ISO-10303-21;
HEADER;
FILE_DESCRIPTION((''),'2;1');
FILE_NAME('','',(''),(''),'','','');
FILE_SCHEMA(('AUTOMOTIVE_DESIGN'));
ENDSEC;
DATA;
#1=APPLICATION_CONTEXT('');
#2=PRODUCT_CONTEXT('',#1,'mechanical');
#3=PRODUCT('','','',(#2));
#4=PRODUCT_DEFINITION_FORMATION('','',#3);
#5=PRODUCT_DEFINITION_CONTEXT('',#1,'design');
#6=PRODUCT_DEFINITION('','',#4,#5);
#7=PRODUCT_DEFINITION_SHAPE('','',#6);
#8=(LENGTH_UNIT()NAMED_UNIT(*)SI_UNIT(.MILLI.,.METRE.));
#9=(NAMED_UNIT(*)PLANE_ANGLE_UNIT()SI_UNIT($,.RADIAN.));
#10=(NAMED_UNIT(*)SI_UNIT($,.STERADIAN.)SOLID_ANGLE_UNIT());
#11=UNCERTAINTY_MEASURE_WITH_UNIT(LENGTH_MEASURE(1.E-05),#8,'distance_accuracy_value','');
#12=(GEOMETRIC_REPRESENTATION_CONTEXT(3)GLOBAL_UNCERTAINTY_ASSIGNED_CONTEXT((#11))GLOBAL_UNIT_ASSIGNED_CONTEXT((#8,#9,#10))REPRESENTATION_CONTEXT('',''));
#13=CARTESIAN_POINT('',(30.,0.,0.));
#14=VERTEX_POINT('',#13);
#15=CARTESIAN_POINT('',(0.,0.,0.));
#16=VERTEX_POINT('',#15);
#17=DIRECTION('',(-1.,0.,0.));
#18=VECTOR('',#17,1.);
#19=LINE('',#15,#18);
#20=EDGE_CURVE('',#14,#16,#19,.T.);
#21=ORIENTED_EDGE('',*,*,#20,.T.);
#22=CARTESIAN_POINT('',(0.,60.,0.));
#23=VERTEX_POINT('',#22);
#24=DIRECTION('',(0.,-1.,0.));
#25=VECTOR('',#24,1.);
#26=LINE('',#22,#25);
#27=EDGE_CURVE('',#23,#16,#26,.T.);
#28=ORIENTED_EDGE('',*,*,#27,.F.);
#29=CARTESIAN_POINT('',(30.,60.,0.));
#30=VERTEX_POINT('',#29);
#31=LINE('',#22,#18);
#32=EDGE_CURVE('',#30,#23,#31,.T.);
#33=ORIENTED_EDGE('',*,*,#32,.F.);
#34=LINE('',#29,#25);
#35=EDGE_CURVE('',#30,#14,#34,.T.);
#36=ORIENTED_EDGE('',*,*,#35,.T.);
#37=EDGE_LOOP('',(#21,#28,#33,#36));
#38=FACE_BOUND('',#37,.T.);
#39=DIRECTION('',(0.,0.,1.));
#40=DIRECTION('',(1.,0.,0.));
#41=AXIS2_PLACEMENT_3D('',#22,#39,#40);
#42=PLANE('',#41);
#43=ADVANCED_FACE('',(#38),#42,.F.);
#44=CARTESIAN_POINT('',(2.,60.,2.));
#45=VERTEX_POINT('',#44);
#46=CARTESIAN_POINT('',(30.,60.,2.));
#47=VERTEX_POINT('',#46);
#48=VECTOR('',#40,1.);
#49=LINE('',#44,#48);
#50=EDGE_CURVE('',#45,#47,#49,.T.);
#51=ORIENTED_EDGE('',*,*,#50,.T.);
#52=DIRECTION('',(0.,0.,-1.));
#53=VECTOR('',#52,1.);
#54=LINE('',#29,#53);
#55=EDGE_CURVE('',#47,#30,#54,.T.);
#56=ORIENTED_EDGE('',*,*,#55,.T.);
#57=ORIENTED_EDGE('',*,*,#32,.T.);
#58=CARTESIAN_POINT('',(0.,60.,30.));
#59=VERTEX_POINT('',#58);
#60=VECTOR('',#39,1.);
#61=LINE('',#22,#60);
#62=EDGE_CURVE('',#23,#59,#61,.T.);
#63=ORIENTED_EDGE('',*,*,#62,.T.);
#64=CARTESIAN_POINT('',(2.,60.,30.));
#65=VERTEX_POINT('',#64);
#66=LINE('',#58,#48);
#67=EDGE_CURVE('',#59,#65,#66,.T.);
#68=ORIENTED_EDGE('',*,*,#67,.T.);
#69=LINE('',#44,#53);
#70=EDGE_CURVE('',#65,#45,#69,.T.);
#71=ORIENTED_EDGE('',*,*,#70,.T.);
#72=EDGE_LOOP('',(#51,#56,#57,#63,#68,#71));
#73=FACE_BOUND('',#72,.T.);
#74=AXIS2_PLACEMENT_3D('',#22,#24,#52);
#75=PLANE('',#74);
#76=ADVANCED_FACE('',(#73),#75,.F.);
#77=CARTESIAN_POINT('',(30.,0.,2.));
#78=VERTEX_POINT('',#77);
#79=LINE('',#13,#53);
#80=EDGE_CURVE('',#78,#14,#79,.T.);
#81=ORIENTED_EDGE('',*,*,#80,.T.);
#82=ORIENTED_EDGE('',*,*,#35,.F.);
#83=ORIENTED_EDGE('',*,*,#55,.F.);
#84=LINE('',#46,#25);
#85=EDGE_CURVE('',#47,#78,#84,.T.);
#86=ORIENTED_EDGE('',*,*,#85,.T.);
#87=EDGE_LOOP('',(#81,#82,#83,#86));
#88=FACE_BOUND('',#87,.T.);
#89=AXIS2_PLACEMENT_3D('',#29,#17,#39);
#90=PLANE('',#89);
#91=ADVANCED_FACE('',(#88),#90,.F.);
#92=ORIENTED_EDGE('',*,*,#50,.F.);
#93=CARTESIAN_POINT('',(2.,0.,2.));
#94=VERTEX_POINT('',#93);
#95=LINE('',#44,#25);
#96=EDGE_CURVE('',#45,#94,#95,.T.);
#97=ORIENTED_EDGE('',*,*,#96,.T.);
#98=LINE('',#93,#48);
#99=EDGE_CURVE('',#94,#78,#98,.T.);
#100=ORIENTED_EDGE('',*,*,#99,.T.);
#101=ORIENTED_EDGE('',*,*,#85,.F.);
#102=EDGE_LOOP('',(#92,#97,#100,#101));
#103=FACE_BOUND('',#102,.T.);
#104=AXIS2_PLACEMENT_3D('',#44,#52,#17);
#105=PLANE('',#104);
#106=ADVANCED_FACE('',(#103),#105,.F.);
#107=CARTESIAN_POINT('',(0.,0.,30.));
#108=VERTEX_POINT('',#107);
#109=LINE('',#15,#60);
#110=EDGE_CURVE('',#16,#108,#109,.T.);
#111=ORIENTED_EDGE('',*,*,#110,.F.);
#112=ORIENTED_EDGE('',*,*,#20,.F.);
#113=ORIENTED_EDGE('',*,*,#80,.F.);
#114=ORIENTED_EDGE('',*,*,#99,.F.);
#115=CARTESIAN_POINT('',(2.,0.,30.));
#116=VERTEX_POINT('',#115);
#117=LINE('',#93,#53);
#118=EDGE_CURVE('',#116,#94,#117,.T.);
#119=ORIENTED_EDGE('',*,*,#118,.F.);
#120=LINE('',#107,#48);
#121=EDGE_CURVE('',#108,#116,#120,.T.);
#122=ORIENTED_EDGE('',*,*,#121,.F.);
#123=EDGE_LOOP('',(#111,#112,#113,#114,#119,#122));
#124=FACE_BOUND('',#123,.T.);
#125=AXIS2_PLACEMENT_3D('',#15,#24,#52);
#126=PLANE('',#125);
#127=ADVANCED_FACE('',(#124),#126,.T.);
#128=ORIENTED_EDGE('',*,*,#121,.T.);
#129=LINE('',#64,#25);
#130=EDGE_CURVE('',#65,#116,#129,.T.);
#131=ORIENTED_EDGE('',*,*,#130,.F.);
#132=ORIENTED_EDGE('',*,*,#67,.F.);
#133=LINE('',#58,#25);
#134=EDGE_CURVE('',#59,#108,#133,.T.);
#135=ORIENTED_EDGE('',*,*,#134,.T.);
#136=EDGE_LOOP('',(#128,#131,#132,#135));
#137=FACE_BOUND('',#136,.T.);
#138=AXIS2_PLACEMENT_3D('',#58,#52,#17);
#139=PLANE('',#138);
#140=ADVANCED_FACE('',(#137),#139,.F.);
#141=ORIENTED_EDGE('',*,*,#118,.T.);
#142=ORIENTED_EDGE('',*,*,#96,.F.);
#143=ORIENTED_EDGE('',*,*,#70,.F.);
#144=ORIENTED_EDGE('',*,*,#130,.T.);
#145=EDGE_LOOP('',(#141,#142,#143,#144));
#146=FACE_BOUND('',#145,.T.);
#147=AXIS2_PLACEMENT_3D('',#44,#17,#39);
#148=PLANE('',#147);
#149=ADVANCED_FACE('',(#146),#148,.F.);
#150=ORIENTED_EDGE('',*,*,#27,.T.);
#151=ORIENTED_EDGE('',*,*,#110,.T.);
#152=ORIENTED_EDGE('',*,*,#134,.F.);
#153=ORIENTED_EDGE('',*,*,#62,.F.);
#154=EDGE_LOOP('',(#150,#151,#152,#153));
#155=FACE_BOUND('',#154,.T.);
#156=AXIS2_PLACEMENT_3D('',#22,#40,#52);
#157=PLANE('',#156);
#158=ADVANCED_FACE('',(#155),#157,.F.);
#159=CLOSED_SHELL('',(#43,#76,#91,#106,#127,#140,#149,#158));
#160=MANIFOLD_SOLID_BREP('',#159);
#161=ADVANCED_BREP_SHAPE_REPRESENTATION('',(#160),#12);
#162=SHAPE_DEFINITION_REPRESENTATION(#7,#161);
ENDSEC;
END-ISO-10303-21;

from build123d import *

# Parameters (mm, degrees)
BOSS_EXTRUDE1_DEPTH = 60


with BuildPart() as part:
    # Sketch1 → Boss-Extrude1 (new body)
    with BuildSketch(Plane(origin=(0, 0, 0), x_dir=(1, 0, 0), z_dir=(0, 1, 0))):
        Polygon((0, 0), (0, -30), (2, -30), (2, -2), (30, -2), (30, 0), align=None)
    extrude(amount=BOSS_EXTRUDE1_DEPTH)


solid = part.part
